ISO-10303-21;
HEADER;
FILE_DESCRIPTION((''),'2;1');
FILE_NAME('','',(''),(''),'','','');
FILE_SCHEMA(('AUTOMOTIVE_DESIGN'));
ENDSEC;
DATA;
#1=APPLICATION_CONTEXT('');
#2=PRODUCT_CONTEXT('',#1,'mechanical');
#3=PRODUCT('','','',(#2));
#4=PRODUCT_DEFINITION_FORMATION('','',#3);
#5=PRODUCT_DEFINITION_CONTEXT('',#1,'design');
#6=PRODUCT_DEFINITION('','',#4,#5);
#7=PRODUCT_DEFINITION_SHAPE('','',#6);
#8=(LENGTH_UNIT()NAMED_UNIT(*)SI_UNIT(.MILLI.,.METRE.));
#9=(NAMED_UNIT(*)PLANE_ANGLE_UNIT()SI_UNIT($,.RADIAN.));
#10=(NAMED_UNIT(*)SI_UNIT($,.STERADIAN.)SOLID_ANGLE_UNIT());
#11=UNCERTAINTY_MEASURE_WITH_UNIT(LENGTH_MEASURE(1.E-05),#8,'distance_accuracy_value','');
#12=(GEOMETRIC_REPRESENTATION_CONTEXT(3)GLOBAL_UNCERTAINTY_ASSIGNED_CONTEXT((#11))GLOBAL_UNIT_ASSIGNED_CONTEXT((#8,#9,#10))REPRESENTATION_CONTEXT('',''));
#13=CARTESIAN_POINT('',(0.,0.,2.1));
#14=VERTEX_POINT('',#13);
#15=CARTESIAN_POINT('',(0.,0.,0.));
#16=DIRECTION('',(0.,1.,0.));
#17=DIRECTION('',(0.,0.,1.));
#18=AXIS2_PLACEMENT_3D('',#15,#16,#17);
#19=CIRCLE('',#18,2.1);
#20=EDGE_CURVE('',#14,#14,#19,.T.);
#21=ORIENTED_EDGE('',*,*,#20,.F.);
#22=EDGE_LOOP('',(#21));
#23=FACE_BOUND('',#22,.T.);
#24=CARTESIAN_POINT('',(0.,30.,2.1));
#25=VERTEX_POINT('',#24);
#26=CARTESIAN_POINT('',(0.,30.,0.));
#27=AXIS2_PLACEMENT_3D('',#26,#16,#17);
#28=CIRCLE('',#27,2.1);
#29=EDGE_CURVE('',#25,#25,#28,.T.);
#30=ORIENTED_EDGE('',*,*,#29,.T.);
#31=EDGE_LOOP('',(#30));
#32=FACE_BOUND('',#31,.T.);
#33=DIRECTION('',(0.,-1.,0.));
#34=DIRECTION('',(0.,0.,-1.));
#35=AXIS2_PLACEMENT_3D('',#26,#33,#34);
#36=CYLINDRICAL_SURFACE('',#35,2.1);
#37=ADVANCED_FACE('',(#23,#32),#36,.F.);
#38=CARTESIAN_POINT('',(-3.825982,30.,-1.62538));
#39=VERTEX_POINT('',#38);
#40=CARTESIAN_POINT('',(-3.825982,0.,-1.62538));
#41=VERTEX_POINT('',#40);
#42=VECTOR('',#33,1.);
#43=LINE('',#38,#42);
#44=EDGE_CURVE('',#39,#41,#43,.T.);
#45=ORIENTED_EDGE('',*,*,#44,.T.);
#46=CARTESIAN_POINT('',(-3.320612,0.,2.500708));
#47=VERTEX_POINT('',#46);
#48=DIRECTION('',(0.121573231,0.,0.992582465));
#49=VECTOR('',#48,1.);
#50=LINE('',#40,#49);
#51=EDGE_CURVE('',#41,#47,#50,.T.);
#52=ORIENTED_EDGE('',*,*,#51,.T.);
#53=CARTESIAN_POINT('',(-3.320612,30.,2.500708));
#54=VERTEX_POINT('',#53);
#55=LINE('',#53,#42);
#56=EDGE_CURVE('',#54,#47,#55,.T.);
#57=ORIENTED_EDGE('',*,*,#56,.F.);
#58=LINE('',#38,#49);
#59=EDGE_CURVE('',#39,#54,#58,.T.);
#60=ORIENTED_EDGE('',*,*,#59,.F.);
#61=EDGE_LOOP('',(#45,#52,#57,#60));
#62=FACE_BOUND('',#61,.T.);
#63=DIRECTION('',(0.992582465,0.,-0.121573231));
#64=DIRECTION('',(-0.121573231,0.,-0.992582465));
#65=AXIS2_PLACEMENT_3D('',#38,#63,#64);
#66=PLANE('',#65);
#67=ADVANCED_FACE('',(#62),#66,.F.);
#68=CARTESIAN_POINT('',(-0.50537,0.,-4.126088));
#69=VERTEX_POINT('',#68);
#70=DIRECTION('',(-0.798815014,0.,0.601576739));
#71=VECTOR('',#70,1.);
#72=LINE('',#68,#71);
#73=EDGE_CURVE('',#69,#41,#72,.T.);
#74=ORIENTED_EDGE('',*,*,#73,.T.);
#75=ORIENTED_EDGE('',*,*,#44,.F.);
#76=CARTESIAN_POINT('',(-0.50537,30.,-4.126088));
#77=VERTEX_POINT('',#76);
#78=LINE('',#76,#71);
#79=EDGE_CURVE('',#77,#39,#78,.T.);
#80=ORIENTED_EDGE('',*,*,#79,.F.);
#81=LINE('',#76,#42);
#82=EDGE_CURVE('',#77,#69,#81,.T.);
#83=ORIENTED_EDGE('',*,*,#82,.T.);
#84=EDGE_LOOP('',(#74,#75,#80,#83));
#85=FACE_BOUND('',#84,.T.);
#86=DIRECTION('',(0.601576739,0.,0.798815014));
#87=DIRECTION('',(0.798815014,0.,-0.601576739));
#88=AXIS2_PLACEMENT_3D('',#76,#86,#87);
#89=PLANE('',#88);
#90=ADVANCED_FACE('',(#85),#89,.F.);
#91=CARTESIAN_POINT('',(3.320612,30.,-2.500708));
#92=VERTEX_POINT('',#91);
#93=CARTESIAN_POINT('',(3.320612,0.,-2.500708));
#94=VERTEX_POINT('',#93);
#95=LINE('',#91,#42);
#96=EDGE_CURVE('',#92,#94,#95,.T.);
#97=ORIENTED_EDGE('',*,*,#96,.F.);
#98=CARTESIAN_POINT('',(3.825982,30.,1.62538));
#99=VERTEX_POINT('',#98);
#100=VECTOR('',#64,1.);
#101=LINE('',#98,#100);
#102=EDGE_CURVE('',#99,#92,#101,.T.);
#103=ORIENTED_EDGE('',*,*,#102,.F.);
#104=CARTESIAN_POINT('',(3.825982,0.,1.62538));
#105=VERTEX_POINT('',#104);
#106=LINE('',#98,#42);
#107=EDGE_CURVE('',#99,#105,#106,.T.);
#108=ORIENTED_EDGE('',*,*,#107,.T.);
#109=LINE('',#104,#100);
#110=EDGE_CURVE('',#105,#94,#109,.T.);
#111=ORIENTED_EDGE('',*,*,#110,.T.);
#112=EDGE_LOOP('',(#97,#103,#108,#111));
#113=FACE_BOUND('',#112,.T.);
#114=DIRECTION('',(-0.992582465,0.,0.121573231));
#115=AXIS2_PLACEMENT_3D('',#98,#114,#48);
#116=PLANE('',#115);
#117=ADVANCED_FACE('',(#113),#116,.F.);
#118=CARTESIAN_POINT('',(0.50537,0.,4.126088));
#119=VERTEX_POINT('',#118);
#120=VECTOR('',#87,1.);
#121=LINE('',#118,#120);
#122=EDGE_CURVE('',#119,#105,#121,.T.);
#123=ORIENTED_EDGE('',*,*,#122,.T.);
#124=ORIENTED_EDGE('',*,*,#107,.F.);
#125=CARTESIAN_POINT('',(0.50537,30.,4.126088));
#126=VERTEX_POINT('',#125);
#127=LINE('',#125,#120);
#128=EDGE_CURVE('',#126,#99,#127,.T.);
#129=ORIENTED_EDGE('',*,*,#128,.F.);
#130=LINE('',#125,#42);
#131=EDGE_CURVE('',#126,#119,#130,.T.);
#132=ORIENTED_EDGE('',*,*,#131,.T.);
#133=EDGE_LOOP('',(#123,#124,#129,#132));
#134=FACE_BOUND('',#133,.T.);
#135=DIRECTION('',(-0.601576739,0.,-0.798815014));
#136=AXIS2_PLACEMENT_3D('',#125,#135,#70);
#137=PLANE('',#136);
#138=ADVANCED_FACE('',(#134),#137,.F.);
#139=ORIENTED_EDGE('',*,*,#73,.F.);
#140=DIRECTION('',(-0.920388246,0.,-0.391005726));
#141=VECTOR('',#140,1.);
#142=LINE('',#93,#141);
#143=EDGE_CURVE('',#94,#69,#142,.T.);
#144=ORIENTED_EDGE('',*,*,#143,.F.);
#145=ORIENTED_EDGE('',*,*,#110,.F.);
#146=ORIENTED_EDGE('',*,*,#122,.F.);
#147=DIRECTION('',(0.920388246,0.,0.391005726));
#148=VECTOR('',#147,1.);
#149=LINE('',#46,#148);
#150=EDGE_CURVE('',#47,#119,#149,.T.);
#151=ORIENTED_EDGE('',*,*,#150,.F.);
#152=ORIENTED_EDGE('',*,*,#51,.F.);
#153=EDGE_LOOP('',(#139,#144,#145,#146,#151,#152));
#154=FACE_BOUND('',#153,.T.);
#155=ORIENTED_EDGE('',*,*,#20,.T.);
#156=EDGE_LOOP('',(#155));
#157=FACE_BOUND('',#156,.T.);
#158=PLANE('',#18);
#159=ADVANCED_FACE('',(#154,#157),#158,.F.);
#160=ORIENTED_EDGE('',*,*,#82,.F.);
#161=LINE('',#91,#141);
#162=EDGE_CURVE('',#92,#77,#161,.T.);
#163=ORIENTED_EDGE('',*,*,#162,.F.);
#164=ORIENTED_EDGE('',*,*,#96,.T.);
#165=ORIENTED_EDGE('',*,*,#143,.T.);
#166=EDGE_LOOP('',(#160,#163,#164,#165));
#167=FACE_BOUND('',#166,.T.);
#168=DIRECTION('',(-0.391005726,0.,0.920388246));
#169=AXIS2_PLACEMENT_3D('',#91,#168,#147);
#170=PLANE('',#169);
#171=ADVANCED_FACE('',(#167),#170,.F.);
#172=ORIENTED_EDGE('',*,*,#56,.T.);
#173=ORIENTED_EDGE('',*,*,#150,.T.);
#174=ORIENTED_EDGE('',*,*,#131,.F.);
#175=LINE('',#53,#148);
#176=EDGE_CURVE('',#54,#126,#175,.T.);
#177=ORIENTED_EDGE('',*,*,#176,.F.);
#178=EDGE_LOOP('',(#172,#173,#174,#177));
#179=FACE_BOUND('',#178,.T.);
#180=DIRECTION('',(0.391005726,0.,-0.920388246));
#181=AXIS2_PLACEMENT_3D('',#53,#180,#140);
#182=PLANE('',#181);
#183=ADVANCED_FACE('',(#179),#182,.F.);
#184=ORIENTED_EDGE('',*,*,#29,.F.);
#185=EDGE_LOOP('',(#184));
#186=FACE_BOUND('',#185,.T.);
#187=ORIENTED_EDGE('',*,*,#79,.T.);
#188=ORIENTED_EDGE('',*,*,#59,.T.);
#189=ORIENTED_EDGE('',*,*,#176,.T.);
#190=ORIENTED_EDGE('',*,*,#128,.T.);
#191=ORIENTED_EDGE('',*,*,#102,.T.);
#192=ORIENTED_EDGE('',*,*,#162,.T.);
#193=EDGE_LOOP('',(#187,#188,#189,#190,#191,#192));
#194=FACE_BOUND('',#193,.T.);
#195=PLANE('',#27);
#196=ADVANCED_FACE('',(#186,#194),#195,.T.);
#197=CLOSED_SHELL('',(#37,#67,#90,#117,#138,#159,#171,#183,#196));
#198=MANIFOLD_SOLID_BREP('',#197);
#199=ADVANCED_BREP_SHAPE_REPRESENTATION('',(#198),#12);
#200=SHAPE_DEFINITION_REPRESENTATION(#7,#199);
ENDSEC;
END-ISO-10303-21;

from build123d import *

# Parameters (mm, degrees)
SKETCH_1_R      = 2.1
EXTRUDE_1_DEPTH = 30


with BuildPart() as part:
    # 草图1 → 凸台-拉伸1 (new body)
    with BuildSketch(Plane(origin=(0, 0, 0), x_dir=(1, 0, 0), z_dir=(0, 1, 0))):
        Polygon((3.320611657, 2.500707544), (-0.505370432, 4.126087823), (-3.825982089, 1.625380279), (-3.320611657, -2.500707544), (0.505370432, -4.126087823), (3.825982089, -1.625380279), align=None)
        with Locations(Location((0, 0, 0), (0, 0, 270))):
            Circle(SKETCH_1_R, mode=Mode.SUBTRACT)
    extrude(amount=EXTRUDE_1_DEPTH)


solid = part.part
